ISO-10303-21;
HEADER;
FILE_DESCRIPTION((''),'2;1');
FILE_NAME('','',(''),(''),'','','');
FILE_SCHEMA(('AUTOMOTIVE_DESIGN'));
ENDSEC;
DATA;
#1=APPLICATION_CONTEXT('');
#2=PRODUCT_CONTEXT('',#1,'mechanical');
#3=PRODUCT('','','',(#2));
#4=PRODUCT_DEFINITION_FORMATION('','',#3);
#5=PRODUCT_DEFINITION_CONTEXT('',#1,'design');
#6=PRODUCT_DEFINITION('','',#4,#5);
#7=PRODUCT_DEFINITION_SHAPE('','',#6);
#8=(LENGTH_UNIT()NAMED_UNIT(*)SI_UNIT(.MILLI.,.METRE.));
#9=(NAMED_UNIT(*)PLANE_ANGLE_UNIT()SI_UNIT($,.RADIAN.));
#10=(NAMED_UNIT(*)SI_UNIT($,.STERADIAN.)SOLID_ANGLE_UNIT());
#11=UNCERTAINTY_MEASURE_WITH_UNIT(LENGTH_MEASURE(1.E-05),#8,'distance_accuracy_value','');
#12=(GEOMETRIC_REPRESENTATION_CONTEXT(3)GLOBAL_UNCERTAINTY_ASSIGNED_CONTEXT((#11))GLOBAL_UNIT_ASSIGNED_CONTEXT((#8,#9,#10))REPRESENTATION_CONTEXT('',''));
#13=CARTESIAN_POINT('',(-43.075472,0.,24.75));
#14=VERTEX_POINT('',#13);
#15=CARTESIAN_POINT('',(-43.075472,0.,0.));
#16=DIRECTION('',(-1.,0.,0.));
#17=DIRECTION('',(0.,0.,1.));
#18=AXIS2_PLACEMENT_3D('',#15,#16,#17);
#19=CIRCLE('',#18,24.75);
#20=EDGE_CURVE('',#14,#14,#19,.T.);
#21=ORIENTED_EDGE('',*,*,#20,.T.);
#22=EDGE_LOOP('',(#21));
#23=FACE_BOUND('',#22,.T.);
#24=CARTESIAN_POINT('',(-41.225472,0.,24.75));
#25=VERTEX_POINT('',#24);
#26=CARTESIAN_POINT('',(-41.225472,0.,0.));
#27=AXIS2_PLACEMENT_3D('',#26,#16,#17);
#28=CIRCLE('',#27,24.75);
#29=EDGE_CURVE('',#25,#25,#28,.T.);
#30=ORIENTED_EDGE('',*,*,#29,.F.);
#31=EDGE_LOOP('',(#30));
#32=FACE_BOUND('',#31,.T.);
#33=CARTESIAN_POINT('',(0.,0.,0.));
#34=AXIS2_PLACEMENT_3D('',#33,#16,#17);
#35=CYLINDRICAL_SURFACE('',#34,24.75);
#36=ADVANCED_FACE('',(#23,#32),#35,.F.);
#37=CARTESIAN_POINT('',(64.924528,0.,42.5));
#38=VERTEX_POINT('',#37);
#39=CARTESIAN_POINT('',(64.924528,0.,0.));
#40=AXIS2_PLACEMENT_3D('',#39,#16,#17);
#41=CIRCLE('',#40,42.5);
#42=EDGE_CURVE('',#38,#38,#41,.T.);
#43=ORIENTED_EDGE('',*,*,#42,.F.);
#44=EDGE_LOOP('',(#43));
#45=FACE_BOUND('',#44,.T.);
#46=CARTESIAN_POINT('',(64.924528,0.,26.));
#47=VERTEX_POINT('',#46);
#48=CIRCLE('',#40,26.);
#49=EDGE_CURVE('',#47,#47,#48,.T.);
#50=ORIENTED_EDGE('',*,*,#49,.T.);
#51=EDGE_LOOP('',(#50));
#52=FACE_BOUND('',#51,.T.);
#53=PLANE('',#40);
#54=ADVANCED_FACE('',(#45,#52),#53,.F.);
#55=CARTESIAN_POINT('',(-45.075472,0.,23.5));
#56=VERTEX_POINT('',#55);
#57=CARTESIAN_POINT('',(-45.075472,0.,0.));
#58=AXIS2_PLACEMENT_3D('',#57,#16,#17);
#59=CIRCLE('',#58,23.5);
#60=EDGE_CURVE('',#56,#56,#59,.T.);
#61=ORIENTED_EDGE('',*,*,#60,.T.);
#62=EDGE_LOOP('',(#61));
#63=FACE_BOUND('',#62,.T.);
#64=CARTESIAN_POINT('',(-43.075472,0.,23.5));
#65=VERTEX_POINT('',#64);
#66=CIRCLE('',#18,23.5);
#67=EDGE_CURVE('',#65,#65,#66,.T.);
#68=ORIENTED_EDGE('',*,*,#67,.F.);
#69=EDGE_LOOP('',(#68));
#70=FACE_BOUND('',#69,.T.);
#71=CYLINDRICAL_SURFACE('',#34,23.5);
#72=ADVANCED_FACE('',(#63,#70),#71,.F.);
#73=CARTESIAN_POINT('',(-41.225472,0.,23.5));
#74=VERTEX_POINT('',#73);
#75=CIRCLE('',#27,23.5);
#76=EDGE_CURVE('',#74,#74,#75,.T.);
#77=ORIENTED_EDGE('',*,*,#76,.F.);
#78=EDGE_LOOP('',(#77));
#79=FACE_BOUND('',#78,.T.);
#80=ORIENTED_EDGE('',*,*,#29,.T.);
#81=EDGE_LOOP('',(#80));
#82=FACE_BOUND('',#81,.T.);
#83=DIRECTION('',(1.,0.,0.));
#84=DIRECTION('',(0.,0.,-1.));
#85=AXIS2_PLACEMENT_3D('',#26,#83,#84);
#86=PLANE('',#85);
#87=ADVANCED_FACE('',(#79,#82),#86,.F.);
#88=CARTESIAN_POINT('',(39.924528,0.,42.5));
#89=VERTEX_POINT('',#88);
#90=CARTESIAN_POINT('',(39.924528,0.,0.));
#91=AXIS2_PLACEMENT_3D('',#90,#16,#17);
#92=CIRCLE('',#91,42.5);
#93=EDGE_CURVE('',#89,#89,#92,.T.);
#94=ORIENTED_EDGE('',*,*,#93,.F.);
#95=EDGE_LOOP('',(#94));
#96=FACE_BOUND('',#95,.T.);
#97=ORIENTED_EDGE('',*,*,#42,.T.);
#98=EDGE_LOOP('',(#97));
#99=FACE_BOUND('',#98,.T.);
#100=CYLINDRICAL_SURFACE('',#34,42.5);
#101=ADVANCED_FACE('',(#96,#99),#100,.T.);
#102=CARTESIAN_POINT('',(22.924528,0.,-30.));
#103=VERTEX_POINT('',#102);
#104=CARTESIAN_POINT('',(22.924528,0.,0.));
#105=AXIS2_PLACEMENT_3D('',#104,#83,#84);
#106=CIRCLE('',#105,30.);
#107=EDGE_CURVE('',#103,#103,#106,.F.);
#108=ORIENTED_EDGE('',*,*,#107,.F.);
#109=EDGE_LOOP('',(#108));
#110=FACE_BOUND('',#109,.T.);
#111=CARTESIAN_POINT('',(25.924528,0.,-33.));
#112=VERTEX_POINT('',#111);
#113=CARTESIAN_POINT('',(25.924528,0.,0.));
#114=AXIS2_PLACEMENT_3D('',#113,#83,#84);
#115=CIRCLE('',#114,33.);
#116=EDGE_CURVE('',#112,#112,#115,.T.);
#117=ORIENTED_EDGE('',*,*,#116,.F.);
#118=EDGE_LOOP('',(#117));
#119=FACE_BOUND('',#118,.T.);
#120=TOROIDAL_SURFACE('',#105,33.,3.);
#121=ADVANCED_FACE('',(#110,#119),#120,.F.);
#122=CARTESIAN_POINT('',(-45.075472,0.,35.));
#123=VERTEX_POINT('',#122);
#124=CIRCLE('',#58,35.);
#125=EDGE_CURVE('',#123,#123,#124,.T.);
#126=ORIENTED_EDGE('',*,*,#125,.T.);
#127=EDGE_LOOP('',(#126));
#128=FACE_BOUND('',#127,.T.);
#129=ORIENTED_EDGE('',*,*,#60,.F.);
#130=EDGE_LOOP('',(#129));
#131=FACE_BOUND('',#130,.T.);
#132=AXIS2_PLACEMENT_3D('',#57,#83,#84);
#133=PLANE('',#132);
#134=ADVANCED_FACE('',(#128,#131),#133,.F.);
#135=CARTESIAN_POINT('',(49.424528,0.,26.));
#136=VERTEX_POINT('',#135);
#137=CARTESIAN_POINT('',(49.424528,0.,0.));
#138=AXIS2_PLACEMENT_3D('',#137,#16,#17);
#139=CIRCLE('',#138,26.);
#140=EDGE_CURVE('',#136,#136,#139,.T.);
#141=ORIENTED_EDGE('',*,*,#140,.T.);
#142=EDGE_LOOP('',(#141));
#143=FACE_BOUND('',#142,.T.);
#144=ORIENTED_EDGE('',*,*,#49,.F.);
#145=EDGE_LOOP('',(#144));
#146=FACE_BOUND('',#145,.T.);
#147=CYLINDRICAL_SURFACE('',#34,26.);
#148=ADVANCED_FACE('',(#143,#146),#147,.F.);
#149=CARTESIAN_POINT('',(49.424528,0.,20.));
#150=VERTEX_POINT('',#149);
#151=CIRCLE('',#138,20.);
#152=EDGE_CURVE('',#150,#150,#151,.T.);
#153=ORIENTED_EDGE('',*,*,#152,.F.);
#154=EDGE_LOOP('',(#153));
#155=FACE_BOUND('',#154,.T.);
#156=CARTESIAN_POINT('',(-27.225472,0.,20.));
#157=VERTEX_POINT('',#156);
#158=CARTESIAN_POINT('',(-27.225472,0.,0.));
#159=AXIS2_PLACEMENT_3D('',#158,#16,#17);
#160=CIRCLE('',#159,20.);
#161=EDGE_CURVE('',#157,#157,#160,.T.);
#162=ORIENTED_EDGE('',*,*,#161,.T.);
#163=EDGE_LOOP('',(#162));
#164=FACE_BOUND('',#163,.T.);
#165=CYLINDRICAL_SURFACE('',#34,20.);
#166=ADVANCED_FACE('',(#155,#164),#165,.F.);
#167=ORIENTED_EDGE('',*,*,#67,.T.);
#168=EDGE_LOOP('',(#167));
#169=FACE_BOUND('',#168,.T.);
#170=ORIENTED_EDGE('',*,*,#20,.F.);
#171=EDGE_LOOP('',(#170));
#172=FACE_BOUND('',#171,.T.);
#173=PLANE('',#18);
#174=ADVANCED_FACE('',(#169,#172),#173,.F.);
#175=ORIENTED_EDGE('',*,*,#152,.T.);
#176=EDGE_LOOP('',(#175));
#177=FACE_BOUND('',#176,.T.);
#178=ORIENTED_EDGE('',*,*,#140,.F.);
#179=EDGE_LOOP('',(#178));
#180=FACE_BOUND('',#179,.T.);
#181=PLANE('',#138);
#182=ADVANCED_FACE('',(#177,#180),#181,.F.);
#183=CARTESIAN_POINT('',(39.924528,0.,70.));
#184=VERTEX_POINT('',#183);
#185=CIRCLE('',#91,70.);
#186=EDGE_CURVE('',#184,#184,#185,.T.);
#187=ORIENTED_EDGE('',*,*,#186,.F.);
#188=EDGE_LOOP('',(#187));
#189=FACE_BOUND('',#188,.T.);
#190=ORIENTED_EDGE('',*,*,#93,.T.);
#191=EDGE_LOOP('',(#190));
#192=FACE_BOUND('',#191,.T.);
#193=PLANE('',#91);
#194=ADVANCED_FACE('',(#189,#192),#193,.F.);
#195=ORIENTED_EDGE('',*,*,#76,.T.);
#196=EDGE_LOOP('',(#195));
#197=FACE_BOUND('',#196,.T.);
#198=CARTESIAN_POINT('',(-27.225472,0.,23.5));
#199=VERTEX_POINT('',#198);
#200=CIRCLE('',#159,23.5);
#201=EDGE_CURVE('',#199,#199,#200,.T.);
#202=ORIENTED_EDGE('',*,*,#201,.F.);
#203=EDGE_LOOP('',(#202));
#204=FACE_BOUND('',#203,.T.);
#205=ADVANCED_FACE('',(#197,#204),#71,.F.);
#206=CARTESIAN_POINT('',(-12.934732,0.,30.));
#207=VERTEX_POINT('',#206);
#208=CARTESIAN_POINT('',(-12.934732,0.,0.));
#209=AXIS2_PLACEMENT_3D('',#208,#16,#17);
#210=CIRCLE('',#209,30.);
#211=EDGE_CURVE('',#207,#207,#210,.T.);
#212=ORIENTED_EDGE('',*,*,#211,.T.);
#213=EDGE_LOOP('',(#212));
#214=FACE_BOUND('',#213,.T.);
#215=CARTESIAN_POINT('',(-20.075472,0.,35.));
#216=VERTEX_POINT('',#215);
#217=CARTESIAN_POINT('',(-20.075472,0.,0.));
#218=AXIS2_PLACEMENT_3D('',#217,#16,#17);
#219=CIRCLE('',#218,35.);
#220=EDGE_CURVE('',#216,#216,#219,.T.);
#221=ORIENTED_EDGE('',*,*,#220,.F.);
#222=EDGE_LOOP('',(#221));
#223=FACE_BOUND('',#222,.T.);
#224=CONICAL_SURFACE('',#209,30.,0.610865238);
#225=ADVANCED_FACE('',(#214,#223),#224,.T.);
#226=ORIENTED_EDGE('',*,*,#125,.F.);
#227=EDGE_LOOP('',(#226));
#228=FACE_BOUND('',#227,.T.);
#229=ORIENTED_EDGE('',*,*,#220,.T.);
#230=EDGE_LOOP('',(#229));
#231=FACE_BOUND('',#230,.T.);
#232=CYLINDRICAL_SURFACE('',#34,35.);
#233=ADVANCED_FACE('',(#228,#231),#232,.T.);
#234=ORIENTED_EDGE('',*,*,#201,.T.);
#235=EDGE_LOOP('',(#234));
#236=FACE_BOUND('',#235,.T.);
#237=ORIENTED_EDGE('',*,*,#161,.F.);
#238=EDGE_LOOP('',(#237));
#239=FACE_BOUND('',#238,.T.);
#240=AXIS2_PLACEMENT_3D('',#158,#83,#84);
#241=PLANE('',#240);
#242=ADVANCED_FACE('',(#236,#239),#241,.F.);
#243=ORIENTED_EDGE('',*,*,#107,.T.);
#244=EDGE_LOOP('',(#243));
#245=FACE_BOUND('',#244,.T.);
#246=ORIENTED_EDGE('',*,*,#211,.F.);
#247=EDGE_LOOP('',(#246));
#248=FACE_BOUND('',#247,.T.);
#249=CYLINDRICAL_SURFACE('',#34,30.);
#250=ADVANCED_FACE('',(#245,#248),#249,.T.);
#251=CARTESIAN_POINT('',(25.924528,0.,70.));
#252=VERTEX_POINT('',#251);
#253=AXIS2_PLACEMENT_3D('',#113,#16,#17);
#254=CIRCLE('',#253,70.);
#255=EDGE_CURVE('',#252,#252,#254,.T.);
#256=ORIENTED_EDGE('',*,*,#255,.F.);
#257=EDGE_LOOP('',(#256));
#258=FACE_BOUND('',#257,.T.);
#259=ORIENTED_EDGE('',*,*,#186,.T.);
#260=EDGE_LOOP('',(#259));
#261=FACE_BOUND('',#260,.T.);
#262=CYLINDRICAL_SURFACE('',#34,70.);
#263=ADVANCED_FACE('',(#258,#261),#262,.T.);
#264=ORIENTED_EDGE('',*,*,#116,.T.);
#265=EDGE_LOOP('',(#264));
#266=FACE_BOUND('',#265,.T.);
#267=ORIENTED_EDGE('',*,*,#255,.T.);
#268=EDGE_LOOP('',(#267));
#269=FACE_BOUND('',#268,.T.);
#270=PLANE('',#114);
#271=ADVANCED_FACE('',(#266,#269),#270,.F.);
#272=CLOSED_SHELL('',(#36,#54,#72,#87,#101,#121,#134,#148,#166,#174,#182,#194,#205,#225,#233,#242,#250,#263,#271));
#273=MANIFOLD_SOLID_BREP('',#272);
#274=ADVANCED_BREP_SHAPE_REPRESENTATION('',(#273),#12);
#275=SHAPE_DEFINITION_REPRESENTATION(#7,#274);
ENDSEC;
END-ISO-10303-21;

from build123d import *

# Parameters (mm, degrees)
RACCORDO1_R = 3


with BuildPart() as part:
    # Schizzo1 → Rivoluzione1 (revolve)
    with BuildSketch(Plane.XY):
        Polygon((-41.225471698, 23.5), (-27.225471698, 23.5), (-27.225471698, 20), (49.424528302, 20), (49.424528302, 26), (64.924528302, 26), (64.924528302, 42.5), (39.924528302, 42.5), (39.924528302, 70), (25.924528302, 70), (25.924528302, 30), (-12.934731664, 30), (-20.075471698, 35), (-45.075471698, 35), (-45.075471698, 23.5), (-43.075471698, 23.5), (-43.075471698, 24.75), (-41.225471698, 24.75), align=None)
    revolve(axis=Axis((0, 0, 0), (1, 0, 0)))

    # Raccordo1
    raccordo1_edges = [part.edges().sort_by_distance(p)[0] for p in [
        (25.924528302, -30, 0),
    ]]
    fillet(raccordo1_edges, radius=RACCORDO1_R)


solid = part.part
